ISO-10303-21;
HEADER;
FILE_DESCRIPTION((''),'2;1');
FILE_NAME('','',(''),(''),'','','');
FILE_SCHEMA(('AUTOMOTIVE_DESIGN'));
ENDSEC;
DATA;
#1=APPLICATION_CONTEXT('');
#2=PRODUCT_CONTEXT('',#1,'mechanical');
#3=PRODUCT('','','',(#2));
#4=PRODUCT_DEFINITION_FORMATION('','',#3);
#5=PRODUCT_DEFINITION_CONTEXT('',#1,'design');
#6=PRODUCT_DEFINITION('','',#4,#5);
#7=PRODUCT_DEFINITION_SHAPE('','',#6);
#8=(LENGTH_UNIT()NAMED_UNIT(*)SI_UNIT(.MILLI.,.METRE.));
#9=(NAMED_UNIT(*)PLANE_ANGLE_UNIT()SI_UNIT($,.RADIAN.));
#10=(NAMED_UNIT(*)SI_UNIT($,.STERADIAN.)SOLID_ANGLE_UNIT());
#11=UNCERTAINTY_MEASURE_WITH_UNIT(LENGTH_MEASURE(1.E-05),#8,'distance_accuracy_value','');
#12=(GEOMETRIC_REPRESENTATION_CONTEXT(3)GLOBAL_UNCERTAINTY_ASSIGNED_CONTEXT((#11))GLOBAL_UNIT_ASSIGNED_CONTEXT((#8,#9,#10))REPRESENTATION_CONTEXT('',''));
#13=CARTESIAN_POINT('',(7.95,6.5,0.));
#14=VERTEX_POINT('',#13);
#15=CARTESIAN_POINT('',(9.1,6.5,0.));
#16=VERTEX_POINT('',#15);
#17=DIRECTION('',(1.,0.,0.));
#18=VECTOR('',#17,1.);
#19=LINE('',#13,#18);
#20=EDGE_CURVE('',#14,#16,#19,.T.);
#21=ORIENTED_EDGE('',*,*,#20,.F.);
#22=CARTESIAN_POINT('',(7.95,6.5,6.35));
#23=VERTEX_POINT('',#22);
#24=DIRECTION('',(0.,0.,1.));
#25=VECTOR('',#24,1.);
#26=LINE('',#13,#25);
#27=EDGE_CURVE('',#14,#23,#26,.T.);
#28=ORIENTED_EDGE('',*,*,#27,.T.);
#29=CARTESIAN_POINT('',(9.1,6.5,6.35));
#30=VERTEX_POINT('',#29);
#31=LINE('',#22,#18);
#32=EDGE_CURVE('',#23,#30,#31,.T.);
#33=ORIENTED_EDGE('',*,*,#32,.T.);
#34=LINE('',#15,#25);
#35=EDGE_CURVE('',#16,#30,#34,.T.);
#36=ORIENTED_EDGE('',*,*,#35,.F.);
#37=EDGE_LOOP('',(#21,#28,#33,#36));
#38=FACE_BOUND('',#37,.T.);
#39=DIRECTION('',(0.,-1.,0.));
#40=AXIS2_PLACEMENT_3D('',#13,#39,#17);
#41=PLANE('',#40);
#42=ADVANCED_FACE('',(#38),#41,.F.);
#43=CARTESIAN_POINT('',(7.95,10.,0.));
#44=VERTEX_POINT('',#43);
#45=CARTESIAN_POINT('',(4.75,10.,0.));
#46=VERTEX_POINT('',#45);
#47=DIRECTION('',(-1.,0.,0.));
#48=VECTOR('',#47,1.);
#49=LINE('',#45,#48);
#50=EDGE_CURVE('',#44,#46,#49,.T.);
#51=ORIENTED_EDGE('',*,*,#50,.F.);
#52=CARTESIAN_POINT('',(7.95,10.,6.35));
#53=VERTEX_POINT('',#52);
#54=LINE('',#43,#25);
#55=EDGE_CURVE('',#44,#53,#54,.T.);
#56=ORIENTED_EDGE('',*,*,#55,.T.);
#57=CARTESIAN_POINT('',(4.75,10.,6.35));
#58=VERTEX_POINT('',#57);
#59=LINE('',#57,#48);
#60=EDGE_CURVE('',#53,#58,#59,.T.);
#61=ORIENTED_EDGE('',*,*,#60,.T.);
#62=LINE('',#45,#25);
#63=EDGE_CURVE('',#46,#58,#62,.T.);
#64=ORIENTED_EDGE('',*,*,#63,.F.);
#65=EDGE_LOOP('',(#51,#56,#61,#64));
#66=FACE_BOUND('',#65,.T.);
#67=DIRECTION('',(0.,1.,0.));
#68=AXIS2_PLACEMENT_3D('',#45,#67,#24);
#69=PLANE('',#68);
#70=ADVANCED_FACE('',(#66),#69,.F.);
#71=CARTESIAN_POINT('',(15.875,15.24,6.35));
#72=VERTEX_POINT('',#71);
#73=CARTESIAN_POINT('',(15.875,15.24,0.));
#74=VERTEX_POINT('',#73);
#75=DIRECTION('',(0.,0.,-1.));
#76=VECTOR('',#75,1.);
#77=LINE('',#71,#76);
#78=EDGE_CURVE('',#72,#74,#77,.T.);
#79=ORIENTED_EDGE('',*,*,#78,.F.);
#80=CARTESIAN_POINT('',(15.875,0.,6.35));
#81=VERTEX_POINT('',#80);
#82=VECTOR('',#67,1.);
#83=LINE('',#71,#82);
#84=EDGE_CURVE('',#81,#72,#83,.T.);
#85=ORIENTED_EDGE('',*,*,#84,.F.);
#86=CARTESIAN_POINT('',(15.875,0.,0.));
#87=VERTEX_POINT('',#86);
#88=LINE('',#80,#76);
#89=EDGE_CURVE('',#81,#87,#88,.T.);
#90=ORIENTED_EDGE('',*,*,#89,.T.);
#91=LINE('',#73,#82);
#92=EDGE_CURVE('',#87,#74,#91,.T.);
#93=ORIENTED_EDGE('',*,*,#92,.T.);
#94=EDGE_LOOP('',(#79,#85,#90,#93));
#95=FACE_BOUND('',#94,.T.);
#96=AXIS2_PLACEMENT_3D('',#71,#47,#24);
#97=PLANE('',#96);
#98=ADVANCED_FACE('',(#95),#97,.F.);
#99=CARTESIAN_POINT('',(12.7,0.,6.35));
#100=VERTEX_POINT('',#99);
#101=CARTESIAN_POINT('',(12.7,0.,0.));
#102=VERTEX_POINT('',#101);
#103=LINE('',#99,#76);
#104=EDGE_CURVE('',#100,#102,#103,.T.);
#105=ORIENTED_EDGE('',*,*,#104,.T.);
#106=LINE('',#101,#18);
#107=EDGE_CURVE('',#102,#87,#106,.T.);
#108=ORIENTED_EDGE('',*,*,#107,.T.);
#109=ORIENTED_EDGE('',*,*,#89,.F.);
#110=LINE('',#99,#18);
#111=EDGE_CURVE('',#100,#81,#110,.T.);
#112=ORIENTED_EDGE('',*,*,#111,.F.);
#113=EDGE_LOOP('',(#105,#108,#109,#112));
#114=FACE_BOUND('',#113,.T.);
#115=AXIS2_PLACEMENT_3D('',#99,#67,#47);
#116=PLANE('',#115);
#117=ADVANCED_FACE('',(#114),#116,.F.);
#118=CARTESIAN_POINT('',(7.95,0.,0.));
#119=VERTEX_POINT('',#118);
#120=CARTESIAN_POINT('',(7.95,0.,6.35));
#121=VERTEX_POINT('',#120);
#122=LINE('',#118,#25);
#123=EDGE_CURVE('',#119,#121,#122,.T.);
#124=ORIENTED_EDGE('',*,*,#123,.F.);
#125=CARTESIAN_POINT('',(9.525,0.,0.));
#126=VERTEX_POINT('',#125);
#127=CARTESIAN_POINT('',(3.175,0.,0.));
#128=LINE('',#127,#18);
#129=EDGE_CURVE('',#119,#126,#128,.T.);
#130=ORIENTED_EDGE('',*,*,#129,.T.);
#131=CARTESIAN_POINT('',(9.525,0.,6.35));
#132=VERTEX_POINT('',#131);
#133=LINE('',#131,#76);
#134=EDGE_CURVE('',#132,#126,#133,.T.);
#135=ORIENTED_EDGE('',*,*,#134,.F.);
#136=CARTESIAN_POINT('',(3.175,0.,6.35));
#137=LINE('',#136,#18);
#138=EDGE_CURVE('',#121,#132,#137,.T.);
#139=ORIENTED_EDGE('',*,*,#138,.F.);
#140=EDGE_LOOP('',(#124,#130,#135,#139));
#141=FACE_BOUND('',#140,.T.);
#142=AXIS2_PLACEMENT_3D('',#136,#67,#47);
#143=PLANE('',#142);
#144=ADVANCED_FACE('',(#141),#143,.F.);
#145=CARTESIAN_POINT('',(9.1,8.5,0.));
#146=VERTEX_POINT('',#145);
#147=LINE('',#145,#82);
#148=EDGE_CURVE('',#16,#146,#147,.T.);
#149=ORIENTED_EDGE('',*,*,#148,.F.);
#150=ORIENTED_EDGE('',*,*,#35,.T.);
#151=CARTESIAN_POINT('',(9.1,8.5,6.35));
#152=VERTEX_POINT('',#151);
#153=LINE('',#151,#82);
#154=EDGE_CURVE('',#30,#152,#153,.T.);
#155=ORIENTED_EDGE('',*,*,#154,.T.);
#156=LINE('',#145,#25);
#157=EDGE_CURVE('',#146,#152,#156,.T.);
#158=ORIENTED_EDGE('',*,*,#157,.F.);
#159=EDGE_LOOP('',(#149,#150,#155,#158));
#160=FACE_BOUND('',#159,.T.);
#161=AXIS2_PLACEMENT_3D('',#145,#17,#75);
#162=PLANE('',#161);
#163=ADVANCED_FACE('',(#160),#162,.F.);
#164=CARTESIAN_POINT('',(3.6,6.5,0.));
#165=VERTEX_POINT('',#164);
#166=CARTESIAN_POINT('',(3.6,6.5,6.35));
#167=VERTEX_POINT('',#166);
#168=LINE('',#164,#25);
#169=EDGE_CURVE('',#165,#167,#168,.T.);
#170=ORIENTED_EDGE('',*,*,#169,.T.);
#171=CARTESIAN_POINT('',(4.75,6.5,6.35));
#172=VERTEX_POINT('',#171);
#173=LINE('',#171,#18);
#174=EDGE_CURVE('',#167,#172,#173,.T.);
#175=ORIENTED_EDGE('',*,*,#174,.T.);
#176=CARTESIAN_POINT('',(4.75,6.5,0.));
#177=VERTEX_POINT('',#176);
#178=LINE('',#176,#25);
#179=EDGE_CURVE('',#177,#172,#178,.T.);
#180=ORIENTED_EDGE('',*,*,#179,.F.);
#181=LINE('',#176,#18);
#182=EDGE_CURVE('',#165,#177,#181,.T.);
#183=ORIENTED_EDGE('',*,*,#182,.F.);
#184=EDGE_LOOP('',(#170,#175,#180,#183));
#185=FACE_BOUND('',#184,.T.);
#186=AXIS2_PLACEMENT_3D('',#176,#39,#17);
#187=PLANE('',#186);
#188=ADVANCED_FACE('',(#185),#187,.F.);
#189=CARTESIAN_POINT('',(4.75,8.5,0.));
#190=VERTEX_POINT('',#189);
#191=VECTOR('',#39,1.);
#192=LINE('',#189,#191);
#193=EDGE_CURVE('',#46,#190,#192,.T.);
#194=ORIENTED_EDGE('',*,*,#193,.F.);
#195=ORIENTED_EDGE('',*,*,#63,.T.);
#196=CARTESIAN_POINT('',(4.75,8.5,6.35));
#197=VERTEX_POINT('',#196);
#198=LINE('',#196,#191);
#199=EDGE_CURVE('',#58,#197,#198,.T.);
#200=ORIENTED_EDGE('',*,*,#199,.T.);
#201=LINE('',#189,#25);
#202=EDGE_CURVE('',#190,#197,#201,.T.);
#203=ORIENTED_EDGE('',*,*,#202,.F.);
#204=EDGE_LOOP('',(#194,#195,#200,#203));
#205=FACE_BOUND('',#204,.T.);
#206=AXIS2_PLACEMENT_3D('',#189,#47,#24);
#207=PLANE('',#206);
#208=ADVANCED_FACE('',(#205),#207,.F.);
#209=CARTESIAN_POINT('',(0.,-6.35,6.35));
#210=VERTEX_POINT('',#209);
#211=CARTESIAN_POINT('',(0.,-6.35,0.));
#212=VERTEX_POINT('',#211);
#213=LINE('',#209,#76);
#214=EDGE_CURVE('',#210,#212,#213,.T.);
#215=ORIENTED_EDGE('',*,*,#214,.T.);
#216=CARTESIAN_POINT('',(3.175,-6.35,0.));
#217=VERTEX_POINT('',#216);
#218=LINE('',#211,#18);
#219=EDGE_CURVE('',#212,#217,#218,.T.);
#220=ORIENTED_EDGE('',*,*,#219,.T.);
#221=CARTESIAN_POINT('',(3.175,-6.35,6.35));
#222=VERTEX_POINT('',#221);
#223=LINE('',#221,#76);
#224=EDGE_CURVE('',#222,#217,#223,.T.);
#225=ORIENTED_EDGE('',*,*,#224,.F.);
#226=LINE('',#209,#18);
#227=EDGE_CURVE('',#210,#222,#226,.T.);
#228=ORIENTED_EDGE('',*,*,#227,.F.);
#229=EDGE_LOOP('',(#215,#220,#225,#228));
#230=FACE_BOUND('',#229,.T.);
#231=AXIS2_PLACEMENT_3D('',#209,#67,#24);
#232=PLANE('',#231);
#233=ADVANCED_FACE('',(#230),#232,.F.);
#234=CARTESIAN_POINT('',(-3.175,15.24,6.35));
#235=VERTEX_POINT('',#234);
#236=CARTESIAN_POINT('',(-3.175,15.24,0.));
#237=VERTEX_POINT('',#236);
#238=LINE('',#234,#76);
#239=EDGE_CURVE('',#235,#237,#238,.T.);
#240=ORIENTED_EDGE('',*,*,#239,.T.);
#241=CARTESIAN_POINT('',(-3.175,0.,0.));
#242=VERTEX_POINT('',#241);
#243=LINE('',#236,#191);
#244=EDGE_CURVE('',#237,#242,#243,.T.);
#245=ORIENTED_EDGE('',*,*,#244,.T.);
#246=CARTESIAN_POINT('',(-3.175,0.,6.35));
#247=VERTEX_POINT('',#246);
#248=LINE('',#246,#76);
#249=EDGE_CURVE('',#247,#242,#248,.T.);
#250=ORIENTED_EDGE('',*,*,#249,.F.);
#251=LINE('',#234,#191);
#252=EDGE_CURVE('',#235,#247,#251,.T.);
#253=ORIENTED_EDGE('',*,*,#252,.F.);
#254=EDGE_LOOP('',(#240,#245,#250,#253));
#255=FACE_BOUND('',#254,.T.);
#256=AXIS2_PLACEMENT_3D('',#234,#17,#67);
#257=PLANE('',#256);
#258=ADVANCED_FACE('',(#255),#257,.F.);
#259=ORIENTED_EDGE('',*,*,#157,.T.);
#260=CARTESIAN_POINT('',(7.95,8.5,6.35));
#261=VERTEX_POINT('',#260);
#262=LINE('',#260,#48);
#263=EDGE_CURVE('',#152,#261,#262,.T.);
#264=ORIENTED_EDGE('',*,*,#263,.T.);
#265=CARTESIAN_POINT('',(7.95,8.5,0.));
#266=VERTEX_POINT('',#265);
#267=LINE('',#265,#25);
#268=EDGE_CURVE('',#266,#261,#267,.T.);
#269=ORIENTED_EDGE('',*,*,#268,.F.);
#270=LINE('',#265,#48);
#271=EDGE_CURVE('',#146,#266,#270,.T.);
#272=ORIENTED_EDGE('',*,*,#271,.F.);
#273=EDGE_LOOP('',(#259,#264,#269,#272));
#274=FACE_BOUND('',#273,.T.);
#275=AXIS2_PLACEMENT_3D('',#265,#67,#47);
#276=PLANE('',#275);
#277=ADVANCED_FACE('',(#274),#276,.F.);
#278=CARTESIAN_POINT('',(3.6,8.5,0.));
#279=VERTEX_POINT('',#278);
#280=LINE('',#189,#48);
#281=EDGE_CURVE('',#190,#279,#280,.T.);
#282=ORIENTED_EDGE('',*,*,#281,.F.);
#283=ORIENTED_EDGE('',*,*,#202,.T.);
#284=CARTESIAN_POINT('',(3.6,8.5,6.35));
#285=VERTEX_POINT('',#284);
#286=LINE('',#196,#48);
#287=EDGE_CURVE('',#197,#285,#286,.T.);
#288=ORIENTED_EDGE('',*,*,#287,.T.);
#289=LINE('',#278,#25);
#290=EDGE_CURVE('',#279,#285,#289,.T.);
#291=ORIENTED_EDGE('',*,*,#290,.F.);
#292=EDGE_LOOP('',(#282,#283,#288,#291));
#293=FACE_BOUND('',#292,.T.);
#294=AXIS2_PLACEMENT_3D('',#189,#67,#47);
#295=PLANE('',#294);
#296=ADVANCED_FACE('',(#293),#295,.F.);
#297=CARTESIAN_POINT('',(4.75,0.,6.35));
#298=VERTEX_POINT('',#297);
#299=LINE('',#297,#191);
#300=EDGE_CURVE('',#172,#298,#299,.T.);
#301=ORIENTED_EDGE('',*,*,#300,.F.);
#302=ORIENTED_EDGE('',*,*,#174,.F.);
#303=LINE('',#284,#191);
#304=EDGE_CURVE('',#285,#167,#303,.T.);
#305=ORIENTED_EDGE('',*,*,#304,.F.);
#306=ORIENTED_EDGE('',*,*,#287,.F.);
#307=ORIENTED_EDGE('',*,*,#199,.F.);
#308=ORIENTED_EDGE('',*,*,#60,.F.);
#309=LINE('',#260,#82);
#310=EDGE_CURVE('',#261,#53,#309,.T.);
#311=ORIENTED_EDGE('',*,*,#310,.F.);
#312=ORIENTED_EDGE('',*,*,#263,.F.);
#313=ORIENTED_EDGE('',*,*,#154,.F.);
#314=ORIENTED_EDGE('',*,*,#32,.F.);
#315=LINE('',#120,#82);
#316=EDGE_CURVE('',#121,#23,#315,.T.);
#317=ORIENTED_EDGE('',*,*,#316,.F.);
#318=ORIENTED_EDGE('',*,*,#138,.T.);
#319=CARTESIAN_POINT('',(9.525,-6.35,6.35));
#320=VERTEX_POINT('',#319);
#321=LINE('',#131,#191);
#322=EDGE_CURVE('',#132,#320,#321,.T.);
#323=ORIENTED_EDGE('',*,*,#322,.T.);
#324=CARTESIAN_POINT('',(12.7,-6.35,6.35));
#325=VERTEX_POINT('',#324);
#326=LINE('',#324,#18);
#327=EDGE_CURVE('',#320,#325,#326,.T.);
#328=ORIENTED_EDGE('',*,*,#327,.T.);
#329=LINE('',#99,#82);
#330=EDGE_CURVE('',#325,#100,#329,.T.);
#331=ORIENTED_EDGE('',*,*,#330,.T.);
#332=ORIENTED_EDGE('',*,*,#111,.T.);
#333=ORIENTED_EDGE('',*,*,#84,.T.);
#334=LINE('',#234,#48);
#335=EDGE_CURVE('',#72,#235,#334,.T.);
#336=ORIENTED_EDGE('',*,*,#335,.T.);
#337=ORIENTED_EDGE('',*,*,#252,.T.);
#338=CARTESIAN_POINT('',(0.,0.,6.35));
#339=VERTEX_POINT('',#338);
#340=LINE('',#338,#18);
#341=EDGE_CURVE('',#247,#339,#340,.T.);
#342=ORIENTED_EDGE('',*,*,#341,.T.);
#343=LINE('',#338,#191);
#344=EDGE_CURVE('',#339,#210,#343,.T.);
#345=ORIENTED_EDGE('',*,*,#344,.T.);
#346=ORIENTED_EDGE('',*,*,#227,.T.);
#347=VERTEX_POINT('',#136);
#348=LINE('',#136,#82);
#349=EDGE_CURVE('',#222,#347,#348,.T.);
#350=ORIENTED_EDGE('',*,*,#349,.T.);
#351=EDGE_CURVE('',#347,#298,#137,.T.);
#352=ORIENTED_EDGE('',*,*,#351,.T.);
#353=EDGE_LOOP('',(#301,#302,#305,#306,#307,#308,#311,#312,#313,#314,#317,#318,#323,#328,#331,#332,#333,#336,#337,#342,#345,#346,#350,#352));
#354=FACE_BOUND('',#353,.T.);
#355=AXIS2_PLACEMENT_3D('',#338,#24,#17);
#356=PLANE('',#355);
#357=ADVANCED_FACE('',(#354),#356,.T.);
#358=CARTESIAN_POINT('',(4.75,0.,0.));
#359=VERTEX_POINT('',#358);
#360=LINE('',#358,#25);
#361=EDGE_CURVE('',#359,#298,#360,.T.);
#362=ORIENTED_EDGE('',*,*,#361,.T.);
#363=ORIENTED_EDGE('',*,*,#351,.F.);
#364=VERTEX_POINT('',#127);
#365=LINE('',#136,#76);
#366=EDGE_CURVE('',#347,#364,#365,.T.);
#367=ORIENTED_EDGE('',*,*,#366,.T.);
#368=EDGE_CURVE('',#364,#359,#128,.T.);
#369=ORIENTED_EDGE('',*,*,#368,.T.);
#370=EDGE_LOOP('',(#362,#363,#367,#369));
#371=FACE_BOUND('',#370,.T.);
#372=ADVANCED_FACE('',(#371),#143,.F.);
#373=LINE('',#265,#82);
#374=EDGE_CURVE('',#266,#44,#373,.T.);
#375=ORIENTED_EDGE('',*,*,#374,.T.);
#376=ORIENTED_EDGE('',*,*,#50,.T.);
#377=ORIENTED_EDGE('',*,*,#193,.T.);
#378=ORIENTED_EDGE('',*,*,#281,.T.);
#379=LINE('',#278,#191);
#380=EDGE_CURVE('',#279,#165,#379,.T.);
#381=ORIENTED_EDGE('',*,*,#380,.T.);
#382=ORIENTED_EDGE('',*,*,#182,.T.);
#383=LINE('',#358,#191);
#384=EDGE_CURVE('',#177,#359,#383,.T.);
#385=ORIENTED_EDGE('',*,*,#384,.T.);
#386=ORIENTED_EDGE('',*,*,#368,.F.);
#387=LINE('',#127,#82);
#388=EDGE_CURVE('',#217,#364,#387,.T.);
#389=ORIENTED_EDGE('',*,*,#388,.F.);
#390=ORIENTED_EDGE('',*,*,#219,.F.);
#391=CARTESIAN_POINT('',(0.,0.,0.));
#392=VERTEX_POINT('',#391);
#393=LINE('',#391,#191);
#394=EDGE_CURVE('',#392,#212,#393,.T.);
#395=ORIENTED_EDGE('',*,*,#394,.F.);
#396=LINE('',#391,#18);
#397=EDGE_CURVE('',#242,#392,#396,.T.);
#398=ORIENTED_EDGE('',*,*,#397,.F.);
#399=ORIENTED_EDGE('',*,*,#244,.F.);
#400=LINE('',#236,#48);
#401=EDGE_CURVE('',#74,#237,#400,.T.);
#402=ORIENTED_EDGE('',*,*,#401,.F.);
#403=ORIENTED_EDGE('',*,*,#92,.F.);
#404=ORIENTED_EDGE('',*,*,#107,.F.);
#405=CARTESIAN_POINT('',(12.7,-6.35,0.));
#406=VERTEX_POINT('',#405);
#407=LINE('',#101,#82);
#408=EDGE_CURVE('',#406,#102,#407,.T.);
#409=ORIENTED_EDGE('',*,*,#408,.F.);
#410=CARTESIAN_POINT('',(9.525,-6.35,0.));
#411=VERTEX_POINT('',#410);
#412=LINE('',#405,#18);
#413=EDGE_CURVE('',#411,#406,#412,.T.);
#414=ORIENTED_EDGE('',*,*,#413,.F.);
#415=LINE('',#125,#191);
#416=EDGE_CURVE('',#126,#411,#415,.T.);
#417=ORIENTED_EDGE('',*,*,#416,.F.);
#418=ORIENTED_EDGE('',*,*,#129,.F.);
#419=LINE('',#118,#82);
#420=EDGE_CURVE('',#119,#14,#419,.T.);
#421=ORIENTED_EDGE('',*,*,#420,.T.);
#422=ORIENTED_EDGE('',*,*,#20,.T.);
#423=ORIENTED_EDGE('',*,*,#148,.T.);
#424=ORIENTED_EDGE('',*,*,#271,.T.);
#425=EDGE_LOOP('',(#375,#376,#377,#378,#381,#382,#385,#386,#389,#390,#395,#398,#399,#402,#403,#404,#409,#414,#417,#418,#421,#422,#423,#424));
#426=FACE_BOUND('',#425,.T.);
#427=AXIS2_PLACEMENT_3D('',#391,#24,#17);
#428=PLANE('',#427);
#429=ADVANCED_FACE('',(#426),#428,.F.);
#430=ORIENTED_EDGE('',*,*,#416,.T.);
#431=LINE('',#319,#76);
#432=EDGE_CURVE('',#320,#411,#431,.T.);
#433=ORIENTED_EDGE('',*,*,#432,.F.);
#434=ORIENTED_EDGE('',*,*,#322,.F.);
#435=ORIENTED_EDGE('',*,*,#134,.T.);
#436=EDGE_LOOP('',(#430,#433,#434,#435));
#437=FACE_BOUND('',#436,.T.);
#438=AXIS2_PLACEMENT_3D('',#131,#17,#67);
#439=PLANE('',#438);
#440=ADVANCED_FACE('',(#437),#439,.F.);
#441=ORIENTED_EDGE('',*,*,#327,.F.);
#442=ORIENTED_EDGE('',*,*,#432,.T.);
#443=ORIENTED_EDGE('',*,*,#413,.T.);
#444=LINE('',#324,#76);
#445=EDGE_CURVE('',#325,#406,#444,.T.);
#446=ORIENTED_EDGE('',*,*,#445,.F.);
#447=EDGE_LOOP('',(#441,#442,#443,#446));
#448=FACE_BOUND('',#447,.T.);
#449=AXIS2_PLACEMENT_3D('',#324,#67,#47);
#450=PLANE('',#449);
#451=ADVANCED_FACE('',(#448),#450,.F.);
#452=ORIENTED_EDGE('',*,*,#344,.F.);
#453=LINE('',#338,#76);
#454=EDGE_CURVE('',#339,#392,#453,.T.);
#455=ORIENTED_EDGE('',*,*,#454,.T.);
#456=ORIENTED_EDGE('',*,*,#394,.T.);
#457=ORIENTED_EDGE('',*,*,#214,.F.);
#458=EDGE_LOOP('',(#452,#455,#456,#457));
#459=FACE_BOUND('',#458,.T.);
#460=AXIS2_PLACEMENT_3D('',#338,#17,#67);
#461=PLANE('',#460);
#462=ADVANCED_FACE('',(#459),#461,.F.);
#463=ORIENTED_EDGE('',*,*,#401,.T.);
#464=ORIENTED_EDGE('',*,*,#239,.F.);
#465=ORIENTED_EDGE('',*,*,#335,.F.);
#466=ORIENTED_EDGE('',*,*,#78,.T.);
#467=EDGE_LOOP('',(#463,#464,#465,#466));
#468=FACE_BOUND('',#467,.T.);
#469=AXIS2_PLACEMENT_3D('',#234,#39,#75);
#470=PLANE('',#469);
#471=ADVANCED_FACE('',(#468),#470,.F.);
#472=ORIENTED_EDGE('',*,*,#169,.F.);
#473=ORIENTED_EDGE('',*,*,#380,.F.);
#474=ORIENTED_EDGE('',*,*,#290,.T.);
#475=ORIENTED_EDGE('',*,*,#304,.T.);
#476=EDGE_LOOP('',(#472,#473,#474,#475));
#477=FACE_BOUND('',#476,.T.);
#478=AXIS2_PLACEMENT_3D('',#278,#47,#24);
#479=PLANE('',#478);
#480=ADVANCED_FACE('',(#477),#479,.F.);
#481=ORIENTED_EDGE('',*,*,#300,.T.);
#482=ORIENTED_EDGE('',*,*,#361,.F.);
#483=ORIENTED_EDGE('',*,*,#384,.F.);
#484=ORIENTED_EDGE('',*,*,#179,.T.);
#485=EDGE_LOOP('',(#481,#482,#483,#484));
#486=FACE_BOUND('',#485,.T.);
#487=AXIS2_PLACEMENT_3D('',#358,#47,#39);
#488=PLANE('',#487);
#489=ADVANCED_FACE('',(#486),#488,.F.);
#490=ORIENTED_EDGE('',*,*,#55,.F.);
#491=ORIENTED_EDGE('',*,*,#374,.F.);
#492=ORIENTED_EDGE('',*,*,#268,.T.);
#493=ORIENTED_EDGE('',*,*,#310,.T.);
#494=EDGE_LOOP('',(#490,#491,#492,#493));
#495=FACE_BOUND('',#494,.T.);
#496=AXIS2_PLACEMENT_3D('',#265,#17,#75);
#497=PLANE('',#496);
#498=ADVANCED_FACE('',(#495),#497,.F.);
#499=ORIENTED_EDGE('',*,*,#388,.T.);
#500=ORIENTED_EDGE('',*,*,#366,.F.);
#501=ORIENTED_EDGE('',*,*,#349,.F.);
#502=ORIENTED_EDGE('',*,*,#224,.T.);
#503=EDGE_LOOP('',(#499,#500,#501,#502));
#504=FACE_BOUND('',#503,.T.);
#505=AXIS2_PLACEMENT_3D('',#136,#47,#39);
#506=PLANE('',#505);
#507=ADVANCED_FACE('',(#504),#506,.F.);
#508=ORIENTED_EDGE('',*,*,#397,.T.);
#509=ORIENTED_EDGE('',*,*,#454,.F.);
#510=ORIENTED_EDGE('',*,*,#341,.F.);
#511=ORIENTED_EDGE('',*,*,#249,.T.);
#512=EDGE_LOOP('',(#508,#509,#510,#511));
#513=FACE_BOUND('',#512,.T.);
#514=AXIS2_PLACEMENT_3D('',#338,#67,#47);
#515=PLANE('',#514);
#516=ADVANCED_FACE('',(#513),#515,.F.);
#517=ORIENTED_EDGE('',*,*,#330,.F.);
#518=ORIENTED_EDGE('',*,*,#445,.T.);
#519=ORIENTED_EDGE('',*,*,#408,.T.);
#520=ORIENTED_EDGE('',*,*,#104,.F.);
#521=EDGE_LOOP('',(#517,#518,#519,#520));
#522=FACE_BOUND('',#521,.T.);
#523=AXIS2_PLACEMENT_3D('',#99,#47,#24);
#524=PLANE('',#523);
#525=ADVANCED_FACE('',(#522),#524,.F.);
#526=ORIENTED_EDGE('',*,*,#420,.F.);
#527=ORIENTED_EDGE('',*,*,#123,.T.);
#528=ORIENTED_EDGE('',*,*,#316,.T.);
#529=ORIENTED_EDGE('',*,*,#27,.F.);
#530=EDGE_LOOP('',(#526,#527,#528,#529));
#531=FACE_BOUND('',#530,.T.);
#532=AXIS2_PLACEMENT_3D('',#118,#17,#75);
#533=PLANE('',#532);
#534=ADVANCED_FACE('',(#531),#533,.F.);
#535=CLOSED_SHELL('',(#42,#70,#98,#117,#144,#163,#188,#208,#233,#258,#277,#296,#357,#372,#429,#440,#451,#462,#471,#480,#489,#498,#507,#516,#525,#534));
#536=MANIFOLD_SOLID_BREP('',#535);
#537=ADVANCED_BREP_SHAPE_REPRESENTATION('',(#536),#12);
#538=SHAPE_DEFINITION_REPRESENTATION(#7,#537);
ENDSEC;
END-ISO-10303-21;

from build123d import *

# Parameters (mm, degrees)
BOSS_EXTRUDE1_DEPTH = 6.35
CUT_EXTRUDE3_DEPTH  = 7.35


with BuildPart() as part:
    # Sketch1 → Boss-Extrude1 (new body)
    with BuildSketch(Plane.XY):
        Polygon((-3.175, 15.24), (15.875, 15.24), (15.875, 0), (12.7, 0), (12.7, -6.35), (9.525, -6.35), (9.525, 0), (3.175, 0), (3.175, -6.35), (0, -6.35), (0, 0), (-3.175, 0), align=None)
    extrude(amount=BOSS_EXTRUDE1_DEPTH)

    # Sketch3 → Cut-Extrude3 (cut, through all)
    with BuildSketch(Plane.XY.offset(6.35)):
        Polygon((4.75, 0), (7.95, 0), (7.95, 6.5), (9.1, 6.5), (9.1, 8.5), (7.95, 8.5), (7.95, 10), (4.75, 10), (4.75, 8.5), (3.6, 8.5), (3.6, 6.5), (4.75, 6.5), align=None)
    extrude(amount=-CUT_EXTRUDE3_DEPTH, mode=Mode.SUBTRACT)


solid = part.part
